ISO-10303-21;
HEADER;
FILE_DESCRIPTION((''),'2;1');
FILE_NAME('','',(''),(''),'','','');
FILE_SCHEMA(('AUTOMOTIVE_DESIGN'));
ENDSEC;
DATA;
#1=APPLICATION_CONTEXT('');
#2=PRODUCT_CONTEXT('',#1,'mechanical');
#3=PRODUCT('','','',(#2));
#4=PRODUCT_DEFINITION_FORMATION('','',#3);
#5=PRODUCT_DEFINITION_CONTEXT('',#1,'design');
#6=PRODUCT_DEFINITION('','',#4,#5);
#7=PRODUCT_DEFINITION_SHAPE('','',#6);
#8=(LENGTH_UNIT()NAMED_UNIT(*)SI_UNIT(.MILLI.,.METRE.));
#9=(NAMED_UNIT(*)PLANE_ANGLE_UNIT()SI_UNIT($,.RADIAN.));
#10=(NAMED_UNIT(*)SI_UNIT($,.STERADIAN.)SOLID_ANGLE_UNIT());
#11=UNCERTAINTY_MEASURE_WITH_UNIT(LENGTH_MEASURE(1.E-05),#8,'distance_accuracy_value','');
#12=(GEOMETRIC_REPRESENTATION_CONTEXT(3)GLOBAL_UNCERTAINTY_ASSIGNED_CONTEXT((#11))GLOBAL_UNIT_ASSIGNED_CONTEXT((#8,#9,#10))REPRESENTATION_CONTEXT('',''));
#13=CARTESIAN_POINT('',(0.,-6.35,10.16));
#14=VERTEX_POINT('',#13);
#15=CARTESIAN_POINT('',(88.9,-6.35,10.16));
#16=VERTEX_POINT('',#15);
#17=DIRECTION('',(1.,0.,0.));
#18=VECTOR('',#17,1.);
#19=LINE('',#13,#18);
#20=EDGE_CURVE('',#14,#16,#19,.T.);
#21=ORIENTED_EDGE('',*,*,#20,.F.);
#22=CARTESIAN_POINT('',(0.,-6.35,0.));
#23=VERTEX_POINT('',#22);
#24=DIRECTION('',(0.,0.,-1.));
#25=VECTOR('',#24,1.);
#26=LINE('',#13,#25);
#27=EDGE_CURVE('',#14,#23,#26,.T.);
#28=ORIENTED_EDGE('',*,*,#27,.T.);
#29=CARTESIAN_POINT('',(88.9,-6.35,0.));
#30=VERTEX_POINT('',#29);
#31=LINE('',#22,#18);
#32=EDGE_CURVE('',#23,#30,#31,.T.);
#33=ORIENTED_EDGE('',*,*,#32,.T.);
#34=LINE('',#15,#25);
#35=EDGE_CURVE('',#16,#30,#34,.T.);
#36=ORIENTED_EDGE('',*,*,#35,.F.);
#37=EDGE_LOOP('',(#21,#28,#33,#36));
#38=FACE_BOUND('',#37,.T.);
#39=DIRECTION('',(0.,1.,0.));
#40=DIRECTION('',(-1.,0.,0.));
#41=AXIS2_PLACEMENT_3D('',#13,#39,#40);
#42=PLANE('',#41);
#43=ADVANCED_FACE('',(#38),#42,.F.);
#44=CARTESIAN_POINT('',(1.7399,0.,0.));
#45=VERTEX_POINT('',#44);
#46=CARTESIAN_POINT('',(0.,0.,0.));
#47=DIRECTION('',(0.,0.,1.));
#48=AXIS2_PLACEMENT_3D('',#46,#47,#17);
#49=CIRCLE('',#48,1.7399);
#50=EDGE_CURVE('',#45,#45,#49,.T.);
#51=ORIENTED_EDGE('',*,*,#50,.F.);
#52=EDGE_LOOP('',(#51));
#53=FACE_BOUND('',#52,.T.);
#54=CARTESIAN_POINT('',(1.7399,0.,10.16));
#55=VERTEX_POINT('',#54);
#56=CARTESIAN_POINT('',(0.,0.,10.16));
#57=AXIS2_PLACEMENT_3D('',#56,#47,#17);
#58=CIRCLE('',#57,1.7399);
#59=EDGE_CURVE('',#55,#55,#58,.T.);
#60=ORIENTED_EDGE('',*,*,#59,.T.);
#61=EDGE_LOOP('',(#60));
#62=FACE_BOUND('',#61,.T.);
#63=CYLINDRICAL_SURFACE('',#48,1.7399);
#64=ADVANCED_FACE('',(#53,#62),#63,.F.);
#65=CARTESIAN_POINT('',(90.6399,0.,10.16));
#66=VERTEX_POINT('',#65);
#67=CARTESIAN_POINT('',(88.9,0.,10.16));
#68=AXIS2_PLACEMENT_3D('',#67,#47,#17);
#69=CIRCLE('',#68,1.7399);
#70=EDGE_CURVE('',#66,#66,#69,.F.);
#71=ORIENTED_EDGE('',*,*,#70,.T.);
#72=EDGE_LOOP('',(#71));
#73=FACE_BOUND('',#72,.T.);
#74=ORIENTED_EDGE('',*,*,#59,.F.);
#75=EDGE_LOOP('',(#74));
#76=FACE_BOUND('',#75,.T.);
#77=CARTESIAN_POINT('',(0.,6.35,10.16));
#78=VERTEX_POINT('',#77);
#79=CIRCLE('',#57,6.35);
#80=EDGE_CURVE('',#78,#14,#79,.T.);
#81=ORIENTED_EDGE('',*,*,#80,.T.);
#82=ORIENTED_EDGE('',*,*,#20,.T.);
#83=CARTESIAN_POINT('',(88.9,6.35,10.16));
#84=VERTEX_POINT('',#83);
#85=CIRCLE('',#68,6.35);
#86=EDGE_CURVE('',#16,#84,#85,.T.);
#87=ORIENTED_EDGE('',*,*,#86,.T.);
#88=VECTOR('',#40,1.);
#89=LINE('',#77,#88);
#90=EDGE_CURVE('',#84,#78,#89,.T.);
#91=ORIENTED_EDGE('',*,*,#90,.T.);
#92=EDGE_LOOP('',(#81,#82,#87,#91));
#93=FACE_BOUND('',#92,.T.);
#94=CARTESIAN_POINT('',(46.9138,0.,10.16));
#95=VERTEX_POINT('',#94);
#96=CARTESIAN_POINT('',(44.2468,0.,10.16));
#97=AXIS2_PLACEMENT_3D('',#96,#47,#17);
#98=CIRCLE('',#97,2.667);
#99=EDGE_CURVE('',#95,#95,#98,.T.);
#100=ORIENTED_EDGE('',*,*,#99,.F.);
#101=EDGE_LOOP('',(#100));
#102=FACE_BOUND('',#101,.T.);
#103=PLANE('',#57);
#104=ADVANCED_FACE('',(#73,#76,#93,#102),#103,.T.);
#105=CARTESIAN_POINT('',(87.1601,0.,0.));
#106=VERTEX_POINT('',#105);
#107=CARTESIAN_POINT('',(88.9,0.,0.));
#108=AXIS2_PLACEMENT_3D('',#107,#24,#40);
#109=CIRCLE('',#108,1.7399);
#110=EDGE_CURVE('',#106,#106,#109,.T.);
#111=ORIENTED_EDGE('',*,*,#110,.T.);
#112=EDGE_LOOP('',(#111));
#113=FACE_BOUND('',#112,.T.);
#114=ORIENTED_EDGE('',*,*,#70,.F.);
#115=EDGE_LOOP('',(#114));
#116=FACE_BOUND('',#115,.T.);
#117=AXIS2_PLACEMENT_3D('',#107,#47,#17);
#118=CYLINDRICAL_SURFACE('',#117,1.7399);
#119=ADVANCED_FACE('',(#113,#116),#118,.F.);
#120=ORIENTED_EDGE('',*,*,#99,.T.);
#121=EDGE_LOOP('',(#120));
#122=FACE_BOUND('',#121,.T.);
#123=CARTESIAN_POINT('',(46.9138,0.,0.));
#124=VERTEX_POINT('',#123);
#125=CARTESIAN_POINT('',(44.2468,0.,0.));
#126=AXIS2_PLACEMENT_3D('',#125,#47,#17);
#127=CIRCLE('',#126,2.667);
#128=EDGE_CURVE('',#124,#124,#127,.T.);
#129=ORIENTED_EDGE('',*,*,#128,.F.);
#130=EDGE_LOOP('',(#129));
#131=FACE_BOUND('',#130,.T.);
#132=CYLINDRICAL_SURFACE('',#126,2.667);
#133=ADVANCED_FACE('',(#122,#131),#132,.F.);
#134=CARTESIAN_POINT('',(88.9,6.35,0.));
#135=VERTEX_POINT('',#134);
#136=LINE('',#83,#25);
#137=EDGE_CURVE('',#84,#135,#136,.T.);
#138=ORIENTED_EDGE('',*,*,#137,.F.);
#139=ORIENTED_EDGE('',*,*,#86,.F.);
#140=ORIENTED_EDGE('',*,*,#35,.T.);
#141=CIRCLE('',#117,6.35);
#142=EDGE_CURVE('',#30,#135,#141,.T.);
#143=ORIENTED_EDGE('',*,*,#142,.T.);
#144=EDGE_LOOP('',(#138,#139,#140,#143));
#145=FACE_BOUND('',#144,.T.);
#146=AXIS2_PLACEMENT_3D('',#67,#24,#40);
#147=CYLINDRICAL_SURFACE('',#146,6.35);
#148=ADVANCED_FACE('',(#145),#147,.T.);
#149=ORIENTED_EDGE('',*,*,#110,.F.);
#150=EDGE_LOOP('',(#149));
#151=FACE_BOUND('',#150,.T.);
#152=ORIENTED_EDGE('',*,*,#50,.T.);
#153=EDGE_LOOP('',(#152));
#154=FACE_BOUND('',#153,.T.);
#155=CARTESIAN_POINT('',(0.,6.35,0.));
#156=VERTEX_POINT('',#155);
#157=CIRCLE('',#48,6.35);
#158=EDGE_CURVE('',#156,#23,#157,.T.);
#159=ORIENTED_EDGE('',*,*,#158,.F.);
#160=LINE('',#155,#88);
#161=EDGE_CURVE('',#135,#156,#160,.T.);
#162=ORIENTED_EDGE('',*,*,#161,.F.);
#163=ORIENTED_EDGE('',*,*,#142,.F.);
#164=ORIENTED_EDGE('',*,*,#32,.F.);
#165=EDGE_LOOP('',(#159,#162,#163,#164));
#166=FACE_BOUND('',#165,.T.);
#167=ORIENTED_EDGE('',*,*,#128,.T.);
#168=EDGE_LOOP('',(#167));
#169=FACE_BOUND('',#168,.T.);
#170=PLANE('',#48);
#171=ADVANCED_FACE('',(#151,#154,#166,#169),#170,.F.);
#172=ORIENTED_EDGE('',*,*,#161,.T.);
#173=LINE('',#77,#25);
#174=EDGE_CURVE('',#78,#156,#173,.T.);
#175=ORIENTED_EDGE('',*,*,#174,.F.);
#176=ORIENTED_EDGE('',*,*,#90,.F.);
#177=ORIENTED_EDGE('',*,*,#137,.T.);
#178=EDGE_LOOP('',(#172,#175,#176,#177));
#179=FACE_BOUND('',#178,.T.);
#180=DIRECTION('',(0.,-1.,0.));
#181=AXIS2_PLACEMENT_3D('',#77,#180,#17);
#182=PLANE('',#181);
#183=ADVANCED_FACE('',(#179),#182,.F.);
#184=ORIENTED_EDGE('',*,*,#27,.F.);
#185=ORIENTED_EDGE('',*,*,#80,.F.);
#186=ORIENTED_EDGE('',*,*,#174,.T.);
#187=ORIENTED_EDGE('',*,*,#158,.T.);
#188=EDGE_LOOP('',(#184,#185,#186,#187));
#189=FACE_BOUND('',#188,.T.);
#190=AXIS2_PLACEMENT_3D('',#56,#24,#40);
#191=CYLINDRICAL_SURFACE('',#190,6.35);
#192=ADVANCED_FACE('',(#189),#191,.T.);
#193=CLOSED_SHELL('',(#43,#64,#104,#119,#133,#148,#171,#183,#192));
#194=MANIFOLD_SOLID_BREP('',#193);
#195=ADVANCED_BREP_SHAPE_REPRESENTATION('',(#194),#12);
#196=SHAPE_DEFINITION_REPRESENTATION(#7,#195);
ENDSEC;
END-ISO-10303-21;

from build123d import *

# Parameters (mm, degrees)
BOSS_EXTRUDE1_DEPTH     = 10.16
CUT_EXTRUDE1_START      = -11.16
SKETCH2_R               = 1.7399
CUT_EXTRUDE1_DEPTH      = 12.16
SKETCH3_R               = 2.667
CUT_EXTRUDE2_DEPTH      = 1
CUT_EXTRUDE2_DEPTH_BACK = 11.16


with BuildPart() as part:
    # Sketch1 → Boss-Extrude1 (new body)
    with BuildSketch(Plane.XY):
        with BuildLine():
            Line((0, 6.35), (88.9, 6.35))
            ThreePointArc((88.9, 6.35), (95.25, 0), (88.9, -6.35))
            Line((88.9, -6.35), (0, -6.35))
            ThreePointArc((0, -6.35), (-6.35, 0), (0, 6.35))
        make_face()
    extrude(amount=BOSS_EXTRUDE1_DEPTH)

    # Sketch2 → Cut-Extrude1 (cut)
    with BuildSketch(Plane.XY.offset(10.16).offset(CUT_EXTRUDE1_START)):
        Circle(SKETCH2_R)
    cut_extrude1 = extrude(amount=CUT_EXTRUDE1_DEPTH, mode=Mode.SUBTRACT)

    # Mirror1: Cut-Extrude1 across plane
    add(cut_extrude1.mirror(Plane(origin=(44.45, 0, 0), x_dir=(0, 0, 1), z_dir=(1, 0, 0))), mode=Mode.SUBTRACT)

    # Sketch3 → Cut-Extrude2 (cut, two sides)
    with BuildSketch(Plane.XY.offset(10.16)) as cut_extrude2_sk:
        with Locations((44.2468, 0)):
            Circle(SKETCH3_R)
    extrude(amount=CUT_EXTRUDE2_DEPTH, mode=Mode.SUBTRACT)
    extrude(cut_extrude2_sk.sketch, amount=-CUT_EXTRUDE2_DEPTH_BACK, mode=Mode.SUBTRACT)


solid = part.part
